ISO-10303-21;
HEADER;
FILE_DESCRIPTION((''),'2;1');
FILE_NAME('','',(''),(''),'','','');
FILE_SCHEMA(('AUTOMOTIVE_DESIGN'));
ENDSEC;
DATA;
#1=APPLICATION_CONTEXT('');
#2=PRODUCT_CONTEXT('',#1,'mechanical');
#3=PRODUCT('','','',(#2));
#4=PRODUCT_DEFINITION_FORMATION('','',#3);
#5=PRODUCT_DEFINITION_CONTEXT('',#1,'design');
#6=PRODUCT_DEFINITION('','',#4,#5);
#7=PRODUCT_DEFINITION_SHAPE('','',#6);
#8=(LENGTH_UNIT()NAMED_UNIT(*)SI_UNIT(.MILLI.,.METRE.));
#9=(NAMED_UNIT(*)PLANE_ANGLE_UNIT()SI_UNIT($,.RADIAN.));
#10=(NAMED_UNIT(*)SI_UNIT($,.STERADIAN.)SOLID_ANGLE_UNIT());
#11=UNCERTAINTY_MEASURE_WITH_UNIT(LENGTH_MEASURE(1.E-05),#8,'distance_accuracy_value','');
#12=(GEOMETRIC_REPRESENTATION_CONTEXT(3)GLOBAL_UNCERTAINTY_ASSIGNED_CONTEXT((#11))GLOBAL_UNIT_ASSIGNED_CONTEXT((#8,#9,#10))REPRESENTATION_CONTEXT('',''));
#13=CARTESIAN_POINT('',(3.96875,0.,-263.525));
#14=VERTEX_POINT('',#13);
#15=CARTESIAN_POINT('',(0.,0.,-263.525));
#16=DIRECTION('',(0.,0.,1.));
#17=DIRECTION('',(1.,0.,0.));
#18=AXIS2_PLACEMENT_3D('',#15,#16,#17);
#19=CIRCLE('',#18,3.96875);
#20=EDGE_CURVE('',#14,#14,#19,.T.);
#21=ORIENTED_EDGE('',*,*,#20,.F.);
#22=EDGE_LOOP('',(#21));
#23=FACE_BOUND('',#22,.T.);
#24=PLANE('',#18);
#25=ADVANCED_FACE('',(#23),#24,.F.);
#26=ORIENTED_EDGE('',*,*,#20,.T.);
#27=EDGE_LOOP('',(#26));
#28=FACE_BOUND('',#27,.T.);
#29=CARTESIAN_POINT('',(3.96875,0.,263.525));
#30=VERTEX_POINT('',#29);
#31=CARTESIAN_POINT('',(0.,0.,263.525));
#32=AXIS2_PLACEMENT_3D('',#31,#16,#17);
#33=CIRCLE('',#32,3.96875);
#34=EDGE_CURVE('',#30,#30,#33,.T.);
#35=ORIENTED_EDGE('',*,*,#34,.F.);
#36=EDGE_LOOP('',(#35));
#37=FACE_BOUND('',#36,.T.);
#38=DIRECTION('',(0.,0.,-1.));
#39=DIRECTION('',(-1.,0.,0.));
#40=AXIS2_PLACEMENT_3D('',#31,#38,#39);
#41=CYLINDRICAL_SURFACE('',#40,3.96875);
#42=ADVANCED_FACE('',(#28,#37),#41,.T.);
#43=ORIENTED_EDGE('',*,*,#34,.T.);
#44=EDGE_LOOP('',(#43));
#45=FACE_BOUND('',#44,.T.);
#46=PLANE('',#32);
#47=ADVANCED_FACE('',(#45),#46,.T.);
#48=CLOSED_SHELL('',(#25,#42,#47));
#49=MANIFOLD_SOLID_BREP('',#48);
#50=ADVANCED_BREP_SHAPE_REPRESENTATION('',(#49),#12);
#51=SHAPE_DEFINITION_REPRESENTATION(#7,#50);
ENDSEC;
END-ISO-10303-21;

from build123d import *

# Parameters (mm, degrees)
SKETCH1_R           = 3.96875
BOSS_EXTRUDE1_DEPTH = 263.525


with BuildPart() as part:
    # Sketch1 → Boss-Extrude1 (new body, symmetric)
    with BuildSketch(Plane.XY):
        Circle(SKETCH1_R)
    extrude(amount=BOSS_EXTRUDE1_DEPTH, both=True)


solid = part.part
